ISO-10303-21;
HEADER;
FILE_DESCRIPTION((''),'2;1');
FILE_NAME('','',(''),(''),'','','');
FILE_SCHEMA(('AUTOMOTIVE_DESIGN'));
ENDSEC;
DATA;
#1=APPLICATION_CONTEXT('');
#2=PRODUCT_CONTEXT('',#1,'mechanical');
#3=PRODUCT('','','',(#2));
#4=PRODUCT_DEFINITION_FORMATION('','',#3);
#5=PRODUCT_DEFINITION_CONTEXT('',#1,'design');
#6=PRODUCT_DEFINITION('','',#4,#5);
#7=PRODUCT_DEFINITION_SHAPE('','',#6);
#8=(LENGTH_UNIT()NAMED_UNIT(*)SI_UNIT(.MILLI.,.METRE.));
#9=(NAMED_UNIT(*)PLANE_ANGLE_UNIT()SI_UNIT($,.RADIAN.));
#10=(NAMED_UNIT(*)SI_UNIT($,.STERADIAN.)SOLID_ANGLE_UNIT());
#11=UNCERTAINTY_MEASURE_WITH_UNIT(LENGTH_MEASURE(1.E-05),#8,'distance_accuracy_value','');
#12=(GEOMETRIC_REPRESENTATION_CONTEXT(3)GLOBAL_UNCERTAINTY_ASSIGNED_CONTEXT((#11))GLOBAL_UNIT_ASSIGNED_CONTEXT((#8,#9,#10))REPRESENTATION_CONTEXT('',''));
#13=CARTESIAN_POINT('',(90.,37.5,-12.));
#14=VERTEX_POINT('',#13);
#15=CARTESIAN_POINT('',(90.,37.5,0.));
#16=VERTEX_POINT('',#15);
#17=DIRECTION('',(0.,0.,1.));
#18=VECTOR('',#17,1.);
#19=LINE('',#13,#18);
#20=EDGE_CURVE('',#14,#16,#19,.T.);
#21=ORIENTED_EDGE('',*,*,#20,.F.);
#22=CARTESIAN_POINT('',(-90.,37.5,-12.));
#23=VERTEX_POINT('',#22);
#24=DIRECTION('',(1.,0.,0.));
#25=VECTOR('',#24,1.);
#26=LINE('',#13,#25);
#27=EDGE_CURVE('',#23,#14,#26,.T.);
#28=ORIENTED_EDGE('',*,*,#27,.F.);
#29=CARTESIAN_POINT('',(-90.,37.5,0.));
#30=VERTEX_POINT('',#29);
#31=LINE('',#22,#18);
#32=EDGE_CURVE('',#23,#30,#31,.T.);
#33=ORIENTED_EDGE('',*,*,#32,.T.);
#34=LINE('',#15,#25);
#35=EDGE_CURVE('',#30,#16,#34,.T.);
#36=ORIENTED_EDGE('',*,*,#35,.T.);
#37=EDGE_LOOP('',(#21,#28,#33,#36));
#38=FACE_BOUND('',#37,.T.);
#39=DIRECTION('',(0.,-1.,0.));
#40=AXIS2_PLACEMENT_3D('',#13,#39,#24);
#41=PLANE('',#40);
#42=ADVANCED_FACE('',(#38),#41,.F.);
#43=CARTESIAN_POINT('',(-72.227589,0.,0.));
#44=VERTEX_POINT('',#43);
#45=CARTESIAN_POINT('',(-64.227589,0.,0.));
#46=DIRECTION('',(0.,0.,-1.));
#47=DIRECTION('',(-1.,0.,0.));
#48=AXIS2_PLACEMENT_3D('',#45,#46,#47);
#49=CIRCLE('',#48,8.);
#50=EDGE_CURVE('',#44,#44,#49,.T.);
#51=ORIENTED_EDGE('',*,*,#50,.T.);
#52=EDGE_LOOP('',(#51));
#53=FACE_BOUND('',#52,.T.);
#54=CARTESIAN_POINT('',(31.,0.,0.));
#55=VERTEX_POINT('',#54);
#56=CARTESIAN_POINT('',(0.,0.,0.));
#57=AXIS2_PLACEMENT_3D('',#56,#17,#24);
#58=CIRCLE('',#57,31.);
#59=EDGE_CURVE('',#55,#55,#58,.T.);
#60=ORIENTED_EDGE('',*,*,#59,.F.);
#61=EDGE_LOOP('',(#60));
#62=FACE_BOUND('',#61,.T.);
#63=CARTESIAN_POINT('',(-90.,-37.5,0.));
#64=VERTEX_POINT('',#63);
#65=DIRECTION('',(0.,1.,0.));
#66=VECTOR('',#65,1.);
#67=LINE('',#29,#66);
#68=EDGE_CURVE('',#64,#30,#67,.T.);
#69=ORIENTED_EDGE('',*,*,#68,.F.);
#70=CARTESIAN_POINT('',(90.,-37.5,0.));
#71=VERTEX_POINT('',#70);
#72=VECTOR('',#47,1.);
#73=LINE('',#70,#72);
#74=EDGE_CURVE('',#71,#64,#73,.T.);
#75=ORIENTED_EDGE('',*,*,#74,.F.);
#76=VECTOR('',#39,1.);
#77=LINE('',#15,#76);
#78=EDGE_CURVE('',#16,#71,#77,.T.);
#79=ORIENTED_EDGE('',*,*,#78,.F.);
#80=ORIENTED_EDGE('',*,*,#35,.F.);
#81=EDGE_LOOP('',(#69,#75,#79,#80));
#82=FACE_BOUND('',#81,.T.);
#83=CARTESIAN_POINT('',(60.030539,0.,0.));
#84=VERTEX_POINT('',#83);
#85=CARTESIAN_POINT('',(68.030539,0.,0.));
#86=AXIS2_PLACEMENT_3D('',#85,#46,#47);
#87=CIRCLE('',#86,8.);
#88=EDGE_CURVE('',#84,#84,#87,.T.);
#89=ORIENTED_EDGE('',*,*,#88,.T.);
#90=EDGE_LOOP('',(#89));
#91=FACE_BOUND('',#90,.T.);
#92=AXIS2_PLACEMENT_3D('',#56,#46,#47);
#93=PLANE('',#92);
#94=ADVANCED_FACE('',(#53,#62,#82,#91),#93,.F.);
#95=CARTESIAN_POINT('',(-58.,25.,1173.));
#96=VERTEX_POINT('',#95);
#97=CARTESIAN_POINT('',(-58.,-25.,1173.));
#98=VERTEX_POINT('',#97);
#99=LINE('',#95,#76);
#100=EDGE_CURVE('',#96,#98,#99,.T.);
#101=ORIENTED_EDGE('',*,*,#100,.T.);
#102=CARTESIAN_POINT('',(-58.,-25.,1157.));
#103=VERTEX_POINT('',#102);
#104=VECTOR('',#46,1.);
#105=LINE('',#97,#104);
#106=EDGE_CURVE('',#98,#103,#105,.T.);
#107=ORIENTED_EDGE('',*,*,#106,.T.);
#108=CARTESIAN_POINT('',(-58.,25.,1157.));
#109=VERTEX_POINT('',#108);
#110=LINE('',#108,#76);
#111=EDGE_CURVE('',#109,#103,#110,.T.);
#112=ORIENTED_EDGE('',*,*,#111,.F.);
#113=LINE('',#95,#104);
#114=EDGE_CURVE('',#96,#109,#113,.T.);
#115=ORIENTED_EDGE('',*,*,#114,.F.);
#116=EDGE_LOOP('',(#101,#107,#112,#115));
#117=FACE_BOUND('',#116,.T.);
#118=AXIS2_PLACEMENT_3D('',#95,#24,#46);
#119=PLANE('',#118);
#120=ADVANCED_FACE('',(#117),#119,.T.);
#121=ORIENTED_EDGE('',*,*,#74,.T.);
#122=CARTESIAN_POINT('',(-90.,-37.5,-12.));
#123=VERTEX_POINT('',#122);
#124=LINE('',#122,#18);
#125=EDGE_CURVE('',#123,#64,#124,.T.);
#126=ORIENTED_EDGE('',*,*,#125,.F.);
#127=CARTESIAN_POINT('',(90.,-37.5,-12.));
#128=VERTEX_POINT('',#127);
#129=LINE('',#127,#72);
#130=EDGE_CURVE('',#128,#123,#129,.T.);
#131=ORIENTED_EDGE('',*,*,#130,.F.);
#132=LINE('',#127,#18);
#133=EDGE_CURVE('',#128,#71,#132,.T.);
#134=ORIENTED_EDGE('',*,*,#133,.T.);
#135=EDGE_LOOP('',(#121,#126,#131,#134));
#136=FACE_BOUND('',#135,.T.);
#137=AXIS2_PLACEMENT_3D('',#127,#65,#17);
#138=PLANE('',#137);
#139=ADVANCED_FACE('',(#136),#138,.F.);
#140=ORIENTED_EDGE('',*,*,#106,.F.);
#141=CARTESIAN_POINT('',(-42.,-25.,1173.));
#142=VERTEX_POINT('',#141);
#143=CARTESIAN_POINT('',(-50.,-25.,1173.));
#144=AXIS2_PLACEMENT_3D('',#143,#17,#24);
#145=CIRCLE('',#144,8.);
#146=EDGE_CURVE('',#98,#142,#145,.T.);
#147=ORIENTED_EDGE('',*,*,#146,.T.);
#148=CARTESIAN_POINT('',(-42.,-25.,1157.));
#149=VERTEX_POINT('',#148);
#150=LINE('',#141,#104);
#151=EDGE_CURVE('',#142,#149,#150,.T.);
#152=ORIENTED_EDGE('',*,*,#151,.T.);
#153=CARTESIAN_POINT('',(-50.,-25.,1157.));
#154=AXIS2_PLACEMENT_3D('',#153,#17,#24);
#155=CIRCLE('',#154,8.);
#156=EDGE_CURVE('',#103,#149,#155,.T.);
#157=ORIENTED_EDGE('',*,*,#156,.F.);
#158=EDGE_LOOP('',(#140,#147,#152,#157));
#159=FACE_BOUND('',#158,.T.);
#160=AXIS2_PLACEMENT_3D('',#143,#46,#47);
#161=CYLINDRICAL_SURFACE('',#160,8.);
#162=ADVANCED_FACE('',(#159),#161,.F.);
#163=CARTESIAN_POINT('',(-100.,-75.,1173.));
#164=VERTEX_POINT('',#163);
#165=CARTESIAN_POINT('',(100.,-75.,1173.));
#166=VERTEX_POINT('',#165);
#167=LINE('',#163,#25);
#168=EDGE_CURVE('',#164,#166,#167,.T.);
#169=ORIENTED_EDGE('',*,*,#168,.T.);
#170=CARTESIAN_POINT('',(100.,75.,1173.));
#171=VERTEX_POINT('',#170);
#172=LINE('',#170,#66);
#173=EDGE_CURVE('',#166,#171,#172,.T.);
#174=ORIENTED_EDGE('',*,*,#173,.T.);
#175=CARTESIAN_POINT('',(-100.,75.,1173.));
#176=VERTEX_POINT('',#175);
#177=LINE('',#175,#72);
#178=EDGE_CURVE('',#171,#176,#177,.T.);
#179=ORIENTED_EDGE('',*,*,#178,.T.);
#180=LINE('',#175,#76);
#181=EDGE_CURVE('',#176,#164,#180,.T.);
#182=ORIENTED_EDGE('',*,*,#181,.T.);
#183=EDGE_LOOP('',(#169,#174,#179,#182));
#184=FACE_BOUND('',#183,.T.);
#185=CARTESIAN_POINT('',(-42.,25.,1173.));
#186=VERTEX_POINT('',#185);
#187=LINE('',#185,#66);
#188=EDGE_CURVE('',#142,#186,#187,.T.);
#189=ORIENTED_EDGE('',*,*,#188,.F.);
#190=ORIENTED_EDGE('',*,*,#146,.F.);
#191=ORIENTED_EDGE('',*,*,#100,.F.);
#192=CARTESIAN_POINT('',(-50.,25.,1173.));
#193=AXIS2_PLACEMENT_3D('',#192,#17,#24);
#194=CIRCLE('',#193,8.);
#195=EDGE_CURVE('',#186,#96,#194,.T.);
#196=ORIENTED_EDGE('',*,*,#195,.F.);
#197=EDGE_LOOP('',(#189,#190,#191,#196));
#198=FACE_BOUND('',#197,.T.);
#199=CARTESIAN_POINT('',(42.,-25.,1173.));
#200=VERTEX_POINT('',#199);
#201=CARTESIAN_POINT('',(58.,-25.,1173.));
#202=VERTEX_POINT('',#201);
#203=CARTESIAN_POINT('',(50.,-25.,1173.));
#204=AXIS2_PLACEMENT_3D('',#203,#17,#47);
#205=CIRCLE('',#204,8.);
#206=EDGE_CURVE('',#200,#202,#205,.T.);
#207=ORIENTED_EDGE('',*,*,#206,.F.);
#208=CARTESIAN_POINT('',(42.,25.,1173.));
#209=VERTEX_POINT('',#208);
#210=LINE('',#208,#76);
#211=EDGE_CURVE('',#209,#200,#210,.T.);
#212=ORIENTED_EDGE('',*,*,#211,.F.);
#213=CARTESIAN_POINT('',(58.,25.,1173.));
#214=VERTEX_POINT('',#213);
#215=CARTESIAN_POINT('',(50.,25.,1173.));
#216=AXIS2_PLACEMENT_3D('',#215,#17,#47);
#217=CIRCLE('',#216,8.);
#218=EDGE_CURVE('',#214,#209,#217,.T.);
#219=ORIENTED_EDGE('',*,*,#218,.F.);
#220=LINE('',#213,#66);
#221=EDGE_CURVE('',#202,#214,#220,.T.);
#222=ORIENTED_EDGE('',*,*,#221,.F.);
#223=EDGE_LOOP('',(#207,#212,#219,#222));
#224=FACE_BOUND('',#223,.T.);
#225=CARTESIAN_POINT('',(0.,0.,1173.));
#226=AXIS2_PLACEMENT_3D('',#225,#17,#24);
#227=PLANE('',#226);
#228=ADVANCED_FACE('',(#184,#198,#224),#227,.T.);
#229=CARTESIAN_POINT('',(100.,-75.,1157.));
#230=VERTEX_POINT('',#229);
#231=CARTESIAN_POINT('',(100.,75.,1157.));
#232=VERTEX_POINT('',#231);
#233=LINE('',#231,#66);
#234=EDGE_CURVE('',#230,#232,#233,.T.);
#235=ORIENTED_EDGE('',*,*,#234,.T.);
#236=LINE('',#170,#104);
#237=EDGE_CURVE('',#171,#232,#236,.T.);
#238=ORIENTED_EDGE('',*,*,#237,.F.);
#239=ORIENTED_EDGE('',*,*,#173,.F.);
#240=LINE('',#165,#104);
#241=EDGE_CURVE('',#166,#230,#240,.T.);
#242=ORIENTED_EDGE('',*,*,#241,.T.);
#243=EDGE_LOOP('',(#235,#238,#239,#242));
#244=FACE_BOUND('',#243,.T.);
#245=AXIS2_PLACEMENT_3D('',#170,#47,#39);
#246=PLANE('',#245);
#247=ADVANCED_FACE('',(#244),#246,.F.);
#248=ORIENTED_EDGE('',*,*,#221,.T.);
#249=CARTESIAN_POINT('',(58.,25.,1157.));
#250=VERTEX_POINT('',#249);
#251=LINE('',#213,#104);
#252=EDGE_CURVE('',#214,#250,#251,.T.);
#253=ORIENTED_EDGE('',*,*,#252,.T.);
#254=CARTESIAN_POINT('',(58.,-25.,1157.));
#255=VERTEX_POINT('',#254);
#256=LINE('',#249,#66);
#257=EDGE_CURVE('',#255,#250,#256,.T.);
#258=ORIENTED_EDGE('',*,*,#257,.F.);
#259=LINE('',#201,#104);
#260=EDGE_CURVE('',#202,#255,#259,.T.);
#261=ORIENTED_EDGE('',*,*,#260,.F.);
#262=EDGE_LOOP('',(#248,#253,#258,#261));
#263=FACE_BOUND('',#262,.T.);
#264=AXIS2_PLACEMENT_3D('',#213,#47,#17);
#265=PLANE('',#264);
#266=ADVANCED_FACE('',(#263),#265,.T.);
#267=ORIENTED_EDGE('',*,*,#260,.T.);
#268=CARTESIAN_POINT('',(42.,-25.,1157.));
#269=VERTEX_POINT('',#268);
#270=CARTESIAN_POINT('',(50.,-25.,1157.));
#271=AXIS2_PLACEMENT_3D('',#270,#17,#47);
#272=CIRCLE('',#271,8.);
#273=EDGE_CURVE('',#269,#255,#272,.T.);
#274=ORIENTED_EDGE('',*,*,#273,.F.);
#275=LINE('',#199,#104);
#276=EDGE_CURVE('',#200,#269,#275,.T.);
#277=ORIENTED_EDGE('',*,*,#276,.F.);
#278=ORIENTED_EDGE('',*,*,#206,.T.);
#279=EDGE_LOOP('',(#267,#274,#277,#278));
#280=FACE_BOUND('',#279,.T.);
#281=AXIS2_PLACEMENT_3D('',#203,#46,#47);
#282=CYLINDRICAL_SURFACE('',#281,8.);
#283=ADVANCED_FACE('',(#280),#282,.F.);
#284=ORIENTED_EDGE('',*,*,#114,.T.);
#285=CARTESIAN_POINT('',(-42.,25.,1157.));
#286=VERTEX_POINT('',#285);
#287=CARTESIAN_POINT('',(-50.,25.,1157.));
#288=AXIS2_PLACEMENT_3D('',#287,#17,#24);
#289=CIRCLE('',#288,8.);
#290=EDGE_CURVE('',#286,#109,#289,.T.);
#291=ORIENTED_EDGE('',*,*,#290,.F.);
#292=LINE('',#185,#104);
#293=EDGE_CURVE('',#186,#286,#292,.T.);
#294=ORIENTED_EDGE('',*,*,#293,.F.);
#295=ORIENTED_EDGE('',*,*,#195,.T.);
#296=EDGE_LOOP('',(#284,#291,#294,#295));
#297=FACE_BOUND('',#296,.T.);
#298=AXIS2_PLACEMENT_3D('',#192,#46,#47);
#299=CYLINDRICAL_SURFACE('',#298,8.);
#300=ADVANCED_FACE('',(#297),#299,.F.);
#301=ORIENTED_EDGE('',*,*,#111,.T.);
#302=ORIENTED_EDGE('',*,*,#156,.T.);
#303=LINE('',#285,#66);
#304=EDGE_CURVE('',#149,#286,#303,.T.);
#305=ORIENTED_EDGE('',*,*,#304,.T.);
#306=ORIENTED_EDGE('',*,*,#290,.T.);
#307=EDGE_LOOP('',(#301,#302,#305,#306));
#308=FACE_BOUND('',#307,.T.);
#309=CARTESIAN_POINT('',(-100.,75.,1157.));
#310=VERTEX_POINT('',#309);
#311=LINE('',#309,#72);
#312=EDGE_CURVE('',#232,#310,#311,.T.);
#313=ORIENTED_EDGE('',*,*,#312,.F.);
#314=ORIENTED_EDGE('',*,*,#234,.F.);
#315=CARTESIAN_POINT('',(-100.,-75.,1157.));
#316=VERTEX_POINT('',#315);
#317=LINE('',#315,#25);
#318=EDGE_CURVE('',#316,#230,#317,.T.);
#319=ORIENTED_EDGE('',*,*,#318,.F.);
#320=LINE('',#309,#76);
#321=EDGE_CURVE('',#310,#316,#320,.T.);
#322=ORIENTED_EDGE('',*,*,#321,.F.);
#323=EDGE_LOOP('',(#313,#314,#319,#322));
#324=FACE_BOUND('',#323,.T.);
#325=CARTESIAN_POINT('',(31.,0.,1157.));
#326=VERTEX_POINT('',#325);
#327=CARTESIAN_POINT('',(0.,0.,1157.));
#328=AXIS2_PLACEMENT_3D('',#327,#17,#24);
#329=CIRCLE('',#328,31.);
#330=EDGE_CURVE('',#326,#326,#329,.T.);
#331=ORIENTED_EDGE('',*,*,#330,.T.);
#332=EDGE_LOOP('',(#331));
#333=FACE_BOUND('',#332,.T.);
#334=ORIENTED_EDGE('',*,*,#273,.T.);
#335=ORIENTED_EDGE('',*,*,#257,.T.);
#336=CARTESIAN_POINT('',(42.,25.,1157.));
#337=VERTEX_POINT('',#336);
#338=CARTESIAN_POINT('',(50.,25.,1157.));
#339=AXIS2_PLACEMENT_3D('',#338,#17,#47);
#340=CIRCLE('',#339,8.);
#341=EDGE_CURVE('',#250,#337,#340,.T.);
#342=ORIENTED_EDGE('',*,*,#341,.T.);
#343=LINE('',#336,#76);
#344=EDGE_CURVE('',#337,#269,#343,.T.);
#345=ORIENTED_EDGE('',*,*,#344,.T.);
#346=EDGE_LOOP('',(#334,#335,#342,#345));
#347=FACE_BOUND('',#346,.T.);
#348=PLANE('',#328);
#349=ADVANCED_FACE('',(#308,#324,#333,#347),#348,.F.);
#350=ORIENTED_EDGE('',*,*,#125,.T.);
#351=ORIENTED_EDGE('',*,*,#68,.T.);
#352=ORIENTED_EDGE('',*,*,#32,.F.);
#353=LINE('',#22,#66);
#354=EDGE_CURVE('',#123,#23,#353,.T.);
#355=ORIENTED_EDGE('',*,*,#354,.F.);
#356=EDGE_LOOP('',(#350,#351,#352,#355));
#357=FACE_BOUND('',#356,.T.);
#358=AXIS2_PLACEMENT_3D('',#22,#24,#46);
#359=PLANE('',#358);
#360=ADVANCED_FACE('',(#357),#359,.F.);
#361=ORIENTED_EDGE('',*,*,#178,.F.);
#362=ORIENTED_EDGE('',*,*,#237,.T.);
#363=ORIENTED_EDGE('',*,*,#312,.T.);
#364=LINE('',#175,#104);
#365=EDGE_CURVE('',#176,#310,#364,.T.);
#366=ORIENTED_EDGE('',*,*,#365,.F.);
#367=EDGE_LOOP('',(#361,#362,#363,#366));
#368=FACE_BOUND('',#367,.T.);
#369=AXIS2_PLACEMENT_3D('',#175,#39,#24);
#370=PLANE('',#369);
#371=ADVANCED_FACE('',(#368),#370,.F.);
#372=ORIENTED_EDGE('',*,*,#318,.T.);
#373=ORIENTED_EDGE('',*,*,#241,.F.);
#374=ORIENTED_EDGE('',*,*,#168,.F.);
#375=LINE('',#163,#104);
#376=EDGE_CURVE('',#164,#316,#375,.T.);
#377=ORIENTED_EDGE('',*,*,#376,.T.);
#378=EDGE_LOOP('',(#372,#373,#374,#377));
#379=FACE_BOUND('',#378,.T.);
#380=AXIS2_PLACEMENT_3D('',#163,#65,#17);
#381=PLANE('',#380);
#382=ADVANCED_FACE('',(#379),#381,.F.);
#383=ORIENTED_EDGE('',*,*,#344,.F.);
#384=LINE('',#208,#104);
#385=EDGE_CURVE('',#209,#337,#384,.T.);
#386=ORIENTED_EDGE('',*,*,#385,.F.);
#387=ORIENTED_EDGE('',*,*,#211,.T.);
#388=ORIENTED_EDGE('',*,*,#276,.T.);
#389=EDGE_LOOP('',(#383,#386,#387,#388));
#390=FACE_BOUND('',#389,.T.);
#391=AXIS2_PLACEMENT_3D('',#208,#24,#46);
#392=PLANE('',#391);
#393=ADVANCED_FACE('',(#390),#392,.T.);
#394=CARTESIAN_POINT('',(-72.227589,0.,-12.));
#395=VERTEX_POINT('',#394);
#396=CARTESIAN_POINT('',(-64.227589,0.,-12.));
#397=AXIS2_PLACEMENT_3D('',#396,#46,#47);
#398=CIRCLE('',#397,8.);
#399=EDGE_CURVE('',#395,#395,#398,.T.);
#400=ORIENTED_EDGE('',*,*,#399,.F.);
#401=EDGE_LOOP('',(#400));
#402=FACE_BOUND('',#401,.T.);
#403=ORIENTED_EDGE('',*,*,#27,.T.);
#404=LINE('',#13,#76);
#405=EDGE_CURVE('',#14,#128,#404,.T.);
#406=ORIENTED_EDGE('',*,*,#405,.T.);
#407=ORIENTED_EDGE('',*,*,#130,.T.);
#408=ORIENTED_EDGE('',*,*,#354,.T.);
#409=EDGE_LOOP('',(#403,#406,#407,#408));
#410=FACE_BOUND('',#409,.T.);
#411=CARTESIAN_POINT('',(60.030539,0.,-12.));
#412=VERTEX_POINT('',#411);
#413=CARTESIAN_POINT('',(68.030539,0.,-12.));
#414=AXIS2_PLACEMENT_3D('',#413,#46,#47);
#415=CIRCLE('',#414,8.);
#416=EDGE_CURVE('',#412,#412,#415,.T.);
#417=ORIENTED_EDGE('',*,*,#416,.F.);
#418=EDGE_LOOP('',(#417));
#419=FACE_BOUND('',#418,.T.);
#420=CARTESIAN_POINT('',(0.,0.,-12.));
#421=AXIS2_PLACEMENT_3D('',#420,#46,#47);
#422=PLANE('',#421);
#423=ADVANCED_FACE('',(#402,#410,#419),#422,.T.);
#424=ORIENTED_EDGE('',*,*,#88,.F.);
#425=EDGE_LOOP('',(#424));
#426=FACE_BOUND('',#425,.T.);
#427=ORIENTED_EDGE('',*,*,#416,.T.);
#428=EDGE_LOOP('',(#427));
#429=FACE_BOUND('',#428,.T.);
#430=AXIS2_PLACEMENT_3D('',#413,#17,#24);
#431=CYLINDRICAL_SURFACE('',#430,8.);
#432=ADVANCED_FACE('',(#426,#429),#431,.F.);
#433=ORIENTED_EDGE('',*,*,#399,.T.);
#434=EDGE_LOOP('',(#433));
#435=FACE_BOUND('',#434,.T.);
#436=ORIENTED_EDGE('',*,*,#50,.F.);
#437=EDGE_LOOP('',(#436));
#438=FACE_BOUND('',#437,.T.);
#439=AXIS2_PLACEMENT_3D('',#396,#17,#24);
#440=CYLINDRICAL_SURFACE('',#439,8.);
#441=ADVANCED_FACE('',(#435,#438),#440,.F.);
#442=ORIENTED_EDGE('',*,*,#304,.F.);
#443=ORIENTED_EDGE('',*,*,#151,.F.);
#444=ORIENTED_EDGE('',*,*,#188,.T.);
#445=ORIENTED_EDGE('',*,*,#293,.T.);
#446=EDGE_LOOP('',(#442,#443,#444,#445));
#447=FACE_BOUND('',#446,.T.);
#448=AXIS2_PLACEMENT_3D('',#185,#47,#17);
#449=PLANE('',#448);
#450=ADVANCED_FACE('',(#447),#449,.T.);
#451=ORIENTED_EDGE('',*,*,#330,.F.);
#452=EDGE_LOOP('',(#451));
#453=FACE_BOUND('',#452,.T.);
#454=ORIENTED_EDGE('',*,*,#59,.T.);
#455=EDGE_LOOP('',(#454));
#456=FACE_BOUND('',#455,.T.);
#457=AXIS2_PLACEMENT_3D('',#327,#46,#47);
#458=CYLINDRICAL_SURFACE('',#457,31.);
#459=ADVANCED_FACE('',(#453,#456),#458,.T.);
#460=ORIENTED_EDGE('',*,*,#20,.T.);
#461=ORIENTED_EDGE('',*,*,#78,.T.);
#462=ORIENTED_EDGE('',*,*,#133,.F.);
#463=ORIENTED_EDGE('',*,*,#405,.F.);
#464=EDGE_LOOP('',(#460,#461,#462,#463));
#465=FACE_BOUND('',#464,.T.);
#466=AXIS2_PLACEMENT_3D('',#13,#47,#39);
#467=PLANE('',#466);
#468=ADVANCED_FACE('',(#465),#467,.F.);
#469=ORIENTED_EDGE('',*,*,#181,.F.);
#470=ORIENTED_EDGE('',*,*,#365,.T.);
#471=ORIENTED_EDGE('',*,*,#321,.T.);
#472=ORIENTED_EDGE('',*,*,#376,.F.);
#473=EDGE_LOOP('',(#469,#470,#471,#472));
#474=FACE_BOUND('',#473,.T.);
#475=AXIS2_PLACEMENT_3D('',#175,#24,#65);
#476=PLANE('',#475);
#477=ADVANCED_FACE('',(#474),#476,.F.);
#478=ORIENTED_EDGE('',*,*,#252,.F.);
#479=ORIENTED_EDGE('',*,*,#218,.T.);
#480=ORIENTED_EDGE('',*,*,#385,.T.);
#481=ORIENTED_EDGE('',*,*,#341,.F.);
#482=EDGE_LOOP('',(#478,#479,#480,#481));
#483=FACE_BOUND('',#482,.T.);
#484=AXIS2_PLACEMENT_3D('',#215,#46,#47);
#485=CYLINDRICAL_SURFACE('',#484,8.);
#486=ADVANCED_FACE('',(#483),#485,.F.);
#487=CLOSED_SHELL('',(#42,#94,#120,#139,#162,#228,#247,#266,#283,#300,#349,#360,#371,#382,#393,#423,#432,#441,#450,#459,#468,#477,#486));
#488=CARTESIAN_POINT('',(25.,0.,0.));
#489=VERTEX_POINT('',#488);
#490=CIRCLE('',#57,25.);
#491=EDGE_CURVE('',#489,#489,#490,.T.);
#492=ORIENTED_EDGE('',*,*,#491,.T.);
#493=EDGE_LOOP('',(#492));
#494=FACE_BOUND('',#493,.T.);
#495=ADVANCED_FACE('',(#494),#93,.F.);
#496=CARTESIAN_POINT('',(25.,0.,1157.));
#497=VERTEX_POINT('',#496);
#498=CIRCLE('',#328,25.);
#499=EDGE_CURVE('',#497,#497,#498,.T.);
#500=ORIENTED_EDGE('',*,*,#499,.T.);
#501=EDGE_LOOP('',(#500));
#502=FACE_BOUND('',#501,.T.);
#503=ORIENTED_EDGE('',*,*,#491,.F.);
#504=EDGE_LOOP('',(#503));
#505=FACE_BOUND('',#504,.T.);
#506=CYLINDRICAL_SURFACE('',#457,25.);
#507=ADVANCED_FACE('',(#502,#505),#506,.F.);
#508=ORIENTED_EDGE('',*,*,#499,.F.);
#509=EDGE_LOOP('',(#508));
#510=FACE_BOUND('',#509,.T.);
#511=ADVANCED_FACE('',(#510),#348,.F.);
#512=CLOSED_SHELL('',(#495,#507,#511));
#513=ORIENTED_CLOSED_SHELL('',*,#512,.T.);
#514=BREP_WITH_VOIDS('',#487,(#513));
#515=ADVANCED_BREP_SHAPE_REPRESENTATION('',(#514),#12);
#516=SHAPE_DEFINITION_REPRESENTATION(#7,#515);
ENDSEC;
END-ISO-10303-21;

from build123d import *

# Parameters (mm, degrees)
SKETCH1_R           = 31
SKETCH1_R_2         = 25
BOSS_EXTRUDE1_DEPTH = 1157
SKETCH2_W           = 180
SKETCH2_H           = 75
SKETCH2_R           = 8
BOSS_EXTRUDE2_DEPTH = 12
SKETCH3_W           = 200
SKETCH3_H           = 150
BOSS_EXTRUDE3_DEPTH = 16


with BuildPart() as part:
    # Sketch1 → Boss-Extrude1 (new body)
    with BuildSketch(Plane.XY):
        Circle(SKETCH1_R)
        Circle(SKETCH1_R_2, mode=Mode.SUBTRACT)
    extrude(amount=BOSS_EXTRUDE1_DEPTH)

    # Sketch2 → Boss-Extrude2 (add)
    with BuildSketch(Plane(origin=(0, 0, 0), x_dir=(-1, 0, 0), z_dir=(0, 0, -1))):
        Rectangle(SKETCH2_W, SKETCH2_H)
        with Locations((64.227589169, 0)):
            Circle(SKETCH2_R, mode=Mode.SUBTRACT)
        with Locations((-68.030538528, 0)):
            Circle(SKETCH2_R, mode=Mode.SUBTRACT)
    extrude(amount=BOSS_EXTRUDE2_DEPTH)

    # Sketch3 → Boss-Extrude3 (add)
    with BuildSketch(Plane.XY.offset(1157)):
        Rectangle(SKETCH3_W, SKETCH3_H)
        with BuildLine():
            Line((-42, 25), (-42, -25))
            ThreePointArc((-42, -25), (-50, -33), (-58, -25))
            Line((-58, -25), (-58, 25))
            ThreePointArc((-58, 25), (-50, 33), (-42, 25))
        make_face(mode=Mode.SUBTRACT)
        with BuildLine():
            Line((42, 25), (42, -25))
            ThreePointArc((42, -25), (50, -33), (58, -25))
            Line((58, -25), (58, 25))
            ThreePointArc((58, 25), (50, 33), (42, 25))
        make_face(mode=Mode.SUBTRACT)
    extrude(amount=BOSS_EXTRUDE3_DEPTH)


solid = part.part
